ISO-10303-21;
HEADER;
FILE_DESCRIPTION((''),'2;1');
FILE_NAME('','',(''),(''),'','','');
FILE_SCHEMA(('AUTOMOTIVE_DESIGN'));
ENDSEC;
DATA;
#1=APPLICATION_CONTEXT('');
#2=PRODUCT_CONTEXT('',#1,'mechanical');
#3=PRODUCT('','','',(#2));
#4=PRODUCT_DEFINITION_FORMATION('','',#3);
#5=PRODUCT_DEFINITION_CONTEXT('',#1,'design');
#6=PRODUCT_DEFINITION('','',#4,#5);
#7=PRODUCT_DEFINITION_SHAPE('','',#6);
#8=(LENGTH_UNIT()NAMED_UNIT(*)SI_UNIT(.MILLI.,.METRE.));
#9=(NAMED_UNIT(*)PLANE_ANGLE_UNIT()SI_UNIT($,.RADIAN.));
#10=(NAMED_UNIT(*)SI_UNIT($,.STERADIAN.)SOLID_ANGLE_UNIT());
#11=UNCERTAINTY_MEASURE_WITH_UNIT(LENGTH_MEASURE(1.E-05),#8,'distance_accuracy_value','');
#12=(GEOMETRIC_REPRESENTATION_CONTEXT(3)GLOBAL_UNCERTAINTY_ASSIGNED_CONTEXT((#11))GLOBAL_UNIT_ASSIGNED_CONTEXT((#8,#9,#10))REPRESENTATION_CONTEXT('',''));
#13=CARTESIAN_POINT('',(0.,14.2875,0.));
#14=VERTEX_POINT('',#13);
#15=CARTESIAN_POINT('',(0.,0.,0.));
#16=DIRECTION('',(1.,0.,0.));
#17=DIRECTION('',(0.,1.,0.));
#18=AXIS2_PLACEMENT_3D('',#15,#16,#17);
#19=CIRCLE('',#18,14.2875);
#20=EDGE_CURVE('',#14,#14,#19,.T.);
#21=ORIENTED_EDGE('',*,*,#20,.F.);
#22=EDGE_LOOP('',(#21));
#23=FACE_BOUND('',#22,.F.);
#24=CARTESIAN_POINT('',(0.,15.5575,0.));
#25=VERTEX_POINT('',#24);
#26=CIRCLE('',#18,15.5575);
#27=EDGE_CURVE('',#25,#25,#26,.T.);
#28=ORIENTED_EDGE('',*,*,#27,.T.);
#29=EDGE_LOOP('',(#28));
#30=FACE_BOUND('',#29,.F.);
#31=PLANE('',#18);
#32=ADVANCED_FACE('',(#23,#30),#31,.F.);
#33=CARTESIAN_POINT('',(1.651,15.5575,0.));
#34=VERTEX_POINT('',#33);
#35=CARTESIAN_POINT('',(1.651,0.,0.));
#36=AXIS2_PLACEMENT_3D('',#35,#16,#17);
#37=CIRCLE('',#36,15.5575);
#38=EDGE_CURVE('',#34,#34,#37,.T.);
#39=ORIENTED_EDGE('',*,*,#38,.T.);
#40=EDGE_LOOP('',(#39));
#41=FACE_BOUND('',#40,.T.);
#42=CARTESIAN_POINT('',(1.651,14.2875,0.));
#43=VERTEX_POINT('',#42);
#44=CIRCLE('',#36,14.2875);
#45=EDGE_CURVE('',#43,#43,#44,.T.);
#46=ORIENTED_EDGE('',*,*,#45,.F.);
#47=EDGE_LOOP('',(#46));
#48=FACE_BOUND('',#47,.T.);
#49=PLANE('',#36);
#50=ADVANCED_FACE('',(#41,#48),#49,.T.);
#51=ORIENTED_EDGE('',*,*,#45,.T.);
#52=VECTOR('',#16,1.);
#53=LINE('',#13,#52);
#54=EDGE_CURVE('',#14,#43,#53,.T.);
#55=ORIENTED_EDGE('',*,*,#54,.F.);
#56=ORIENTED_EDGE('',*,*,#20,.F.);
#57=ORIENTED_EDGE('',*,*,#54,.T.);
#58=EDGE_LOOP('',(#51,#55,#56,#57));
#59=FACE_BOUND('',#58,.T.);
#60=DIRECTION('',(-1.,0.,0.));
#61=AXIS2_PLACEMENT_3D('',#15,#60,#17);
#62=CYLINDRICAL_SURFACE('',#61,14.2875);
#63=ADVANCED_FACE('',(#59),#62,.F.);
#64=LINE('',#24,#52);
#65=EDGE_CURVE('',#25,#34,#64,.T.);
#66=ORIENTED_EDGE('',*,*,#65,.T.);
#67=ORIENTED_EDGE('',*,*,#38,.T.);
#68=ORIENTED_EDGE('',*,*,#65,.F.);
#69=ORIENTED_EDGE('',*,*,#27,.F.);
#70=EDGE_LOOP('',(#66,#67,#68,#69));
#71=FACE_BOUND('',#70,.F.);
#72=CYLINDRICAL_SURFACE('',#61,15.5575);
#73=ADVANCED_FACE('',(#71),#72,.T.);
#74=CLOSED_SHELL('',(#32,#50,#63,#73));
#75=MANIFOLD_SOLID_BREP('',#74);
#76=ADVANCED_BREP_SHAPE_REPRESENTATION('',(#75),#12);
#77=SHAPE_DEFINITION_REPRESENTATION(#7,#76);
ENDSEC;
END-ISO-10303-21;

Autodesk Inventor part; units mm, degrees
ref_plane "YZ Plane" through (0, 0, 0) normal (1, 0, 0) x (0, 1, 0)
ref_plane "XZ Plane" through (0, 0, 0) normal (0, 1, 0) x (-1, 0, 0)
ref_plane "XY Plane" through (0, 0, 0) normal (0, 0, 1) x (1, 0, 0)
sketch "Sketch1" plane through (0, 0, 0) normal (1, 0, 0) x (0, 1, 0)
  circle A0 centre (0, 0) radius 14.2875
  circle A1 centre (0, 0) radius 15.5575
  dimension "d0" = 28.575
  dimension "d1" = 31.115
extrude "Extrusion1" add sketch "Sketch1" along normal blind 1.651
properties part number "3DPRINT,SHOOTER,BEARING,SPACER" material "ABS Plastic"
